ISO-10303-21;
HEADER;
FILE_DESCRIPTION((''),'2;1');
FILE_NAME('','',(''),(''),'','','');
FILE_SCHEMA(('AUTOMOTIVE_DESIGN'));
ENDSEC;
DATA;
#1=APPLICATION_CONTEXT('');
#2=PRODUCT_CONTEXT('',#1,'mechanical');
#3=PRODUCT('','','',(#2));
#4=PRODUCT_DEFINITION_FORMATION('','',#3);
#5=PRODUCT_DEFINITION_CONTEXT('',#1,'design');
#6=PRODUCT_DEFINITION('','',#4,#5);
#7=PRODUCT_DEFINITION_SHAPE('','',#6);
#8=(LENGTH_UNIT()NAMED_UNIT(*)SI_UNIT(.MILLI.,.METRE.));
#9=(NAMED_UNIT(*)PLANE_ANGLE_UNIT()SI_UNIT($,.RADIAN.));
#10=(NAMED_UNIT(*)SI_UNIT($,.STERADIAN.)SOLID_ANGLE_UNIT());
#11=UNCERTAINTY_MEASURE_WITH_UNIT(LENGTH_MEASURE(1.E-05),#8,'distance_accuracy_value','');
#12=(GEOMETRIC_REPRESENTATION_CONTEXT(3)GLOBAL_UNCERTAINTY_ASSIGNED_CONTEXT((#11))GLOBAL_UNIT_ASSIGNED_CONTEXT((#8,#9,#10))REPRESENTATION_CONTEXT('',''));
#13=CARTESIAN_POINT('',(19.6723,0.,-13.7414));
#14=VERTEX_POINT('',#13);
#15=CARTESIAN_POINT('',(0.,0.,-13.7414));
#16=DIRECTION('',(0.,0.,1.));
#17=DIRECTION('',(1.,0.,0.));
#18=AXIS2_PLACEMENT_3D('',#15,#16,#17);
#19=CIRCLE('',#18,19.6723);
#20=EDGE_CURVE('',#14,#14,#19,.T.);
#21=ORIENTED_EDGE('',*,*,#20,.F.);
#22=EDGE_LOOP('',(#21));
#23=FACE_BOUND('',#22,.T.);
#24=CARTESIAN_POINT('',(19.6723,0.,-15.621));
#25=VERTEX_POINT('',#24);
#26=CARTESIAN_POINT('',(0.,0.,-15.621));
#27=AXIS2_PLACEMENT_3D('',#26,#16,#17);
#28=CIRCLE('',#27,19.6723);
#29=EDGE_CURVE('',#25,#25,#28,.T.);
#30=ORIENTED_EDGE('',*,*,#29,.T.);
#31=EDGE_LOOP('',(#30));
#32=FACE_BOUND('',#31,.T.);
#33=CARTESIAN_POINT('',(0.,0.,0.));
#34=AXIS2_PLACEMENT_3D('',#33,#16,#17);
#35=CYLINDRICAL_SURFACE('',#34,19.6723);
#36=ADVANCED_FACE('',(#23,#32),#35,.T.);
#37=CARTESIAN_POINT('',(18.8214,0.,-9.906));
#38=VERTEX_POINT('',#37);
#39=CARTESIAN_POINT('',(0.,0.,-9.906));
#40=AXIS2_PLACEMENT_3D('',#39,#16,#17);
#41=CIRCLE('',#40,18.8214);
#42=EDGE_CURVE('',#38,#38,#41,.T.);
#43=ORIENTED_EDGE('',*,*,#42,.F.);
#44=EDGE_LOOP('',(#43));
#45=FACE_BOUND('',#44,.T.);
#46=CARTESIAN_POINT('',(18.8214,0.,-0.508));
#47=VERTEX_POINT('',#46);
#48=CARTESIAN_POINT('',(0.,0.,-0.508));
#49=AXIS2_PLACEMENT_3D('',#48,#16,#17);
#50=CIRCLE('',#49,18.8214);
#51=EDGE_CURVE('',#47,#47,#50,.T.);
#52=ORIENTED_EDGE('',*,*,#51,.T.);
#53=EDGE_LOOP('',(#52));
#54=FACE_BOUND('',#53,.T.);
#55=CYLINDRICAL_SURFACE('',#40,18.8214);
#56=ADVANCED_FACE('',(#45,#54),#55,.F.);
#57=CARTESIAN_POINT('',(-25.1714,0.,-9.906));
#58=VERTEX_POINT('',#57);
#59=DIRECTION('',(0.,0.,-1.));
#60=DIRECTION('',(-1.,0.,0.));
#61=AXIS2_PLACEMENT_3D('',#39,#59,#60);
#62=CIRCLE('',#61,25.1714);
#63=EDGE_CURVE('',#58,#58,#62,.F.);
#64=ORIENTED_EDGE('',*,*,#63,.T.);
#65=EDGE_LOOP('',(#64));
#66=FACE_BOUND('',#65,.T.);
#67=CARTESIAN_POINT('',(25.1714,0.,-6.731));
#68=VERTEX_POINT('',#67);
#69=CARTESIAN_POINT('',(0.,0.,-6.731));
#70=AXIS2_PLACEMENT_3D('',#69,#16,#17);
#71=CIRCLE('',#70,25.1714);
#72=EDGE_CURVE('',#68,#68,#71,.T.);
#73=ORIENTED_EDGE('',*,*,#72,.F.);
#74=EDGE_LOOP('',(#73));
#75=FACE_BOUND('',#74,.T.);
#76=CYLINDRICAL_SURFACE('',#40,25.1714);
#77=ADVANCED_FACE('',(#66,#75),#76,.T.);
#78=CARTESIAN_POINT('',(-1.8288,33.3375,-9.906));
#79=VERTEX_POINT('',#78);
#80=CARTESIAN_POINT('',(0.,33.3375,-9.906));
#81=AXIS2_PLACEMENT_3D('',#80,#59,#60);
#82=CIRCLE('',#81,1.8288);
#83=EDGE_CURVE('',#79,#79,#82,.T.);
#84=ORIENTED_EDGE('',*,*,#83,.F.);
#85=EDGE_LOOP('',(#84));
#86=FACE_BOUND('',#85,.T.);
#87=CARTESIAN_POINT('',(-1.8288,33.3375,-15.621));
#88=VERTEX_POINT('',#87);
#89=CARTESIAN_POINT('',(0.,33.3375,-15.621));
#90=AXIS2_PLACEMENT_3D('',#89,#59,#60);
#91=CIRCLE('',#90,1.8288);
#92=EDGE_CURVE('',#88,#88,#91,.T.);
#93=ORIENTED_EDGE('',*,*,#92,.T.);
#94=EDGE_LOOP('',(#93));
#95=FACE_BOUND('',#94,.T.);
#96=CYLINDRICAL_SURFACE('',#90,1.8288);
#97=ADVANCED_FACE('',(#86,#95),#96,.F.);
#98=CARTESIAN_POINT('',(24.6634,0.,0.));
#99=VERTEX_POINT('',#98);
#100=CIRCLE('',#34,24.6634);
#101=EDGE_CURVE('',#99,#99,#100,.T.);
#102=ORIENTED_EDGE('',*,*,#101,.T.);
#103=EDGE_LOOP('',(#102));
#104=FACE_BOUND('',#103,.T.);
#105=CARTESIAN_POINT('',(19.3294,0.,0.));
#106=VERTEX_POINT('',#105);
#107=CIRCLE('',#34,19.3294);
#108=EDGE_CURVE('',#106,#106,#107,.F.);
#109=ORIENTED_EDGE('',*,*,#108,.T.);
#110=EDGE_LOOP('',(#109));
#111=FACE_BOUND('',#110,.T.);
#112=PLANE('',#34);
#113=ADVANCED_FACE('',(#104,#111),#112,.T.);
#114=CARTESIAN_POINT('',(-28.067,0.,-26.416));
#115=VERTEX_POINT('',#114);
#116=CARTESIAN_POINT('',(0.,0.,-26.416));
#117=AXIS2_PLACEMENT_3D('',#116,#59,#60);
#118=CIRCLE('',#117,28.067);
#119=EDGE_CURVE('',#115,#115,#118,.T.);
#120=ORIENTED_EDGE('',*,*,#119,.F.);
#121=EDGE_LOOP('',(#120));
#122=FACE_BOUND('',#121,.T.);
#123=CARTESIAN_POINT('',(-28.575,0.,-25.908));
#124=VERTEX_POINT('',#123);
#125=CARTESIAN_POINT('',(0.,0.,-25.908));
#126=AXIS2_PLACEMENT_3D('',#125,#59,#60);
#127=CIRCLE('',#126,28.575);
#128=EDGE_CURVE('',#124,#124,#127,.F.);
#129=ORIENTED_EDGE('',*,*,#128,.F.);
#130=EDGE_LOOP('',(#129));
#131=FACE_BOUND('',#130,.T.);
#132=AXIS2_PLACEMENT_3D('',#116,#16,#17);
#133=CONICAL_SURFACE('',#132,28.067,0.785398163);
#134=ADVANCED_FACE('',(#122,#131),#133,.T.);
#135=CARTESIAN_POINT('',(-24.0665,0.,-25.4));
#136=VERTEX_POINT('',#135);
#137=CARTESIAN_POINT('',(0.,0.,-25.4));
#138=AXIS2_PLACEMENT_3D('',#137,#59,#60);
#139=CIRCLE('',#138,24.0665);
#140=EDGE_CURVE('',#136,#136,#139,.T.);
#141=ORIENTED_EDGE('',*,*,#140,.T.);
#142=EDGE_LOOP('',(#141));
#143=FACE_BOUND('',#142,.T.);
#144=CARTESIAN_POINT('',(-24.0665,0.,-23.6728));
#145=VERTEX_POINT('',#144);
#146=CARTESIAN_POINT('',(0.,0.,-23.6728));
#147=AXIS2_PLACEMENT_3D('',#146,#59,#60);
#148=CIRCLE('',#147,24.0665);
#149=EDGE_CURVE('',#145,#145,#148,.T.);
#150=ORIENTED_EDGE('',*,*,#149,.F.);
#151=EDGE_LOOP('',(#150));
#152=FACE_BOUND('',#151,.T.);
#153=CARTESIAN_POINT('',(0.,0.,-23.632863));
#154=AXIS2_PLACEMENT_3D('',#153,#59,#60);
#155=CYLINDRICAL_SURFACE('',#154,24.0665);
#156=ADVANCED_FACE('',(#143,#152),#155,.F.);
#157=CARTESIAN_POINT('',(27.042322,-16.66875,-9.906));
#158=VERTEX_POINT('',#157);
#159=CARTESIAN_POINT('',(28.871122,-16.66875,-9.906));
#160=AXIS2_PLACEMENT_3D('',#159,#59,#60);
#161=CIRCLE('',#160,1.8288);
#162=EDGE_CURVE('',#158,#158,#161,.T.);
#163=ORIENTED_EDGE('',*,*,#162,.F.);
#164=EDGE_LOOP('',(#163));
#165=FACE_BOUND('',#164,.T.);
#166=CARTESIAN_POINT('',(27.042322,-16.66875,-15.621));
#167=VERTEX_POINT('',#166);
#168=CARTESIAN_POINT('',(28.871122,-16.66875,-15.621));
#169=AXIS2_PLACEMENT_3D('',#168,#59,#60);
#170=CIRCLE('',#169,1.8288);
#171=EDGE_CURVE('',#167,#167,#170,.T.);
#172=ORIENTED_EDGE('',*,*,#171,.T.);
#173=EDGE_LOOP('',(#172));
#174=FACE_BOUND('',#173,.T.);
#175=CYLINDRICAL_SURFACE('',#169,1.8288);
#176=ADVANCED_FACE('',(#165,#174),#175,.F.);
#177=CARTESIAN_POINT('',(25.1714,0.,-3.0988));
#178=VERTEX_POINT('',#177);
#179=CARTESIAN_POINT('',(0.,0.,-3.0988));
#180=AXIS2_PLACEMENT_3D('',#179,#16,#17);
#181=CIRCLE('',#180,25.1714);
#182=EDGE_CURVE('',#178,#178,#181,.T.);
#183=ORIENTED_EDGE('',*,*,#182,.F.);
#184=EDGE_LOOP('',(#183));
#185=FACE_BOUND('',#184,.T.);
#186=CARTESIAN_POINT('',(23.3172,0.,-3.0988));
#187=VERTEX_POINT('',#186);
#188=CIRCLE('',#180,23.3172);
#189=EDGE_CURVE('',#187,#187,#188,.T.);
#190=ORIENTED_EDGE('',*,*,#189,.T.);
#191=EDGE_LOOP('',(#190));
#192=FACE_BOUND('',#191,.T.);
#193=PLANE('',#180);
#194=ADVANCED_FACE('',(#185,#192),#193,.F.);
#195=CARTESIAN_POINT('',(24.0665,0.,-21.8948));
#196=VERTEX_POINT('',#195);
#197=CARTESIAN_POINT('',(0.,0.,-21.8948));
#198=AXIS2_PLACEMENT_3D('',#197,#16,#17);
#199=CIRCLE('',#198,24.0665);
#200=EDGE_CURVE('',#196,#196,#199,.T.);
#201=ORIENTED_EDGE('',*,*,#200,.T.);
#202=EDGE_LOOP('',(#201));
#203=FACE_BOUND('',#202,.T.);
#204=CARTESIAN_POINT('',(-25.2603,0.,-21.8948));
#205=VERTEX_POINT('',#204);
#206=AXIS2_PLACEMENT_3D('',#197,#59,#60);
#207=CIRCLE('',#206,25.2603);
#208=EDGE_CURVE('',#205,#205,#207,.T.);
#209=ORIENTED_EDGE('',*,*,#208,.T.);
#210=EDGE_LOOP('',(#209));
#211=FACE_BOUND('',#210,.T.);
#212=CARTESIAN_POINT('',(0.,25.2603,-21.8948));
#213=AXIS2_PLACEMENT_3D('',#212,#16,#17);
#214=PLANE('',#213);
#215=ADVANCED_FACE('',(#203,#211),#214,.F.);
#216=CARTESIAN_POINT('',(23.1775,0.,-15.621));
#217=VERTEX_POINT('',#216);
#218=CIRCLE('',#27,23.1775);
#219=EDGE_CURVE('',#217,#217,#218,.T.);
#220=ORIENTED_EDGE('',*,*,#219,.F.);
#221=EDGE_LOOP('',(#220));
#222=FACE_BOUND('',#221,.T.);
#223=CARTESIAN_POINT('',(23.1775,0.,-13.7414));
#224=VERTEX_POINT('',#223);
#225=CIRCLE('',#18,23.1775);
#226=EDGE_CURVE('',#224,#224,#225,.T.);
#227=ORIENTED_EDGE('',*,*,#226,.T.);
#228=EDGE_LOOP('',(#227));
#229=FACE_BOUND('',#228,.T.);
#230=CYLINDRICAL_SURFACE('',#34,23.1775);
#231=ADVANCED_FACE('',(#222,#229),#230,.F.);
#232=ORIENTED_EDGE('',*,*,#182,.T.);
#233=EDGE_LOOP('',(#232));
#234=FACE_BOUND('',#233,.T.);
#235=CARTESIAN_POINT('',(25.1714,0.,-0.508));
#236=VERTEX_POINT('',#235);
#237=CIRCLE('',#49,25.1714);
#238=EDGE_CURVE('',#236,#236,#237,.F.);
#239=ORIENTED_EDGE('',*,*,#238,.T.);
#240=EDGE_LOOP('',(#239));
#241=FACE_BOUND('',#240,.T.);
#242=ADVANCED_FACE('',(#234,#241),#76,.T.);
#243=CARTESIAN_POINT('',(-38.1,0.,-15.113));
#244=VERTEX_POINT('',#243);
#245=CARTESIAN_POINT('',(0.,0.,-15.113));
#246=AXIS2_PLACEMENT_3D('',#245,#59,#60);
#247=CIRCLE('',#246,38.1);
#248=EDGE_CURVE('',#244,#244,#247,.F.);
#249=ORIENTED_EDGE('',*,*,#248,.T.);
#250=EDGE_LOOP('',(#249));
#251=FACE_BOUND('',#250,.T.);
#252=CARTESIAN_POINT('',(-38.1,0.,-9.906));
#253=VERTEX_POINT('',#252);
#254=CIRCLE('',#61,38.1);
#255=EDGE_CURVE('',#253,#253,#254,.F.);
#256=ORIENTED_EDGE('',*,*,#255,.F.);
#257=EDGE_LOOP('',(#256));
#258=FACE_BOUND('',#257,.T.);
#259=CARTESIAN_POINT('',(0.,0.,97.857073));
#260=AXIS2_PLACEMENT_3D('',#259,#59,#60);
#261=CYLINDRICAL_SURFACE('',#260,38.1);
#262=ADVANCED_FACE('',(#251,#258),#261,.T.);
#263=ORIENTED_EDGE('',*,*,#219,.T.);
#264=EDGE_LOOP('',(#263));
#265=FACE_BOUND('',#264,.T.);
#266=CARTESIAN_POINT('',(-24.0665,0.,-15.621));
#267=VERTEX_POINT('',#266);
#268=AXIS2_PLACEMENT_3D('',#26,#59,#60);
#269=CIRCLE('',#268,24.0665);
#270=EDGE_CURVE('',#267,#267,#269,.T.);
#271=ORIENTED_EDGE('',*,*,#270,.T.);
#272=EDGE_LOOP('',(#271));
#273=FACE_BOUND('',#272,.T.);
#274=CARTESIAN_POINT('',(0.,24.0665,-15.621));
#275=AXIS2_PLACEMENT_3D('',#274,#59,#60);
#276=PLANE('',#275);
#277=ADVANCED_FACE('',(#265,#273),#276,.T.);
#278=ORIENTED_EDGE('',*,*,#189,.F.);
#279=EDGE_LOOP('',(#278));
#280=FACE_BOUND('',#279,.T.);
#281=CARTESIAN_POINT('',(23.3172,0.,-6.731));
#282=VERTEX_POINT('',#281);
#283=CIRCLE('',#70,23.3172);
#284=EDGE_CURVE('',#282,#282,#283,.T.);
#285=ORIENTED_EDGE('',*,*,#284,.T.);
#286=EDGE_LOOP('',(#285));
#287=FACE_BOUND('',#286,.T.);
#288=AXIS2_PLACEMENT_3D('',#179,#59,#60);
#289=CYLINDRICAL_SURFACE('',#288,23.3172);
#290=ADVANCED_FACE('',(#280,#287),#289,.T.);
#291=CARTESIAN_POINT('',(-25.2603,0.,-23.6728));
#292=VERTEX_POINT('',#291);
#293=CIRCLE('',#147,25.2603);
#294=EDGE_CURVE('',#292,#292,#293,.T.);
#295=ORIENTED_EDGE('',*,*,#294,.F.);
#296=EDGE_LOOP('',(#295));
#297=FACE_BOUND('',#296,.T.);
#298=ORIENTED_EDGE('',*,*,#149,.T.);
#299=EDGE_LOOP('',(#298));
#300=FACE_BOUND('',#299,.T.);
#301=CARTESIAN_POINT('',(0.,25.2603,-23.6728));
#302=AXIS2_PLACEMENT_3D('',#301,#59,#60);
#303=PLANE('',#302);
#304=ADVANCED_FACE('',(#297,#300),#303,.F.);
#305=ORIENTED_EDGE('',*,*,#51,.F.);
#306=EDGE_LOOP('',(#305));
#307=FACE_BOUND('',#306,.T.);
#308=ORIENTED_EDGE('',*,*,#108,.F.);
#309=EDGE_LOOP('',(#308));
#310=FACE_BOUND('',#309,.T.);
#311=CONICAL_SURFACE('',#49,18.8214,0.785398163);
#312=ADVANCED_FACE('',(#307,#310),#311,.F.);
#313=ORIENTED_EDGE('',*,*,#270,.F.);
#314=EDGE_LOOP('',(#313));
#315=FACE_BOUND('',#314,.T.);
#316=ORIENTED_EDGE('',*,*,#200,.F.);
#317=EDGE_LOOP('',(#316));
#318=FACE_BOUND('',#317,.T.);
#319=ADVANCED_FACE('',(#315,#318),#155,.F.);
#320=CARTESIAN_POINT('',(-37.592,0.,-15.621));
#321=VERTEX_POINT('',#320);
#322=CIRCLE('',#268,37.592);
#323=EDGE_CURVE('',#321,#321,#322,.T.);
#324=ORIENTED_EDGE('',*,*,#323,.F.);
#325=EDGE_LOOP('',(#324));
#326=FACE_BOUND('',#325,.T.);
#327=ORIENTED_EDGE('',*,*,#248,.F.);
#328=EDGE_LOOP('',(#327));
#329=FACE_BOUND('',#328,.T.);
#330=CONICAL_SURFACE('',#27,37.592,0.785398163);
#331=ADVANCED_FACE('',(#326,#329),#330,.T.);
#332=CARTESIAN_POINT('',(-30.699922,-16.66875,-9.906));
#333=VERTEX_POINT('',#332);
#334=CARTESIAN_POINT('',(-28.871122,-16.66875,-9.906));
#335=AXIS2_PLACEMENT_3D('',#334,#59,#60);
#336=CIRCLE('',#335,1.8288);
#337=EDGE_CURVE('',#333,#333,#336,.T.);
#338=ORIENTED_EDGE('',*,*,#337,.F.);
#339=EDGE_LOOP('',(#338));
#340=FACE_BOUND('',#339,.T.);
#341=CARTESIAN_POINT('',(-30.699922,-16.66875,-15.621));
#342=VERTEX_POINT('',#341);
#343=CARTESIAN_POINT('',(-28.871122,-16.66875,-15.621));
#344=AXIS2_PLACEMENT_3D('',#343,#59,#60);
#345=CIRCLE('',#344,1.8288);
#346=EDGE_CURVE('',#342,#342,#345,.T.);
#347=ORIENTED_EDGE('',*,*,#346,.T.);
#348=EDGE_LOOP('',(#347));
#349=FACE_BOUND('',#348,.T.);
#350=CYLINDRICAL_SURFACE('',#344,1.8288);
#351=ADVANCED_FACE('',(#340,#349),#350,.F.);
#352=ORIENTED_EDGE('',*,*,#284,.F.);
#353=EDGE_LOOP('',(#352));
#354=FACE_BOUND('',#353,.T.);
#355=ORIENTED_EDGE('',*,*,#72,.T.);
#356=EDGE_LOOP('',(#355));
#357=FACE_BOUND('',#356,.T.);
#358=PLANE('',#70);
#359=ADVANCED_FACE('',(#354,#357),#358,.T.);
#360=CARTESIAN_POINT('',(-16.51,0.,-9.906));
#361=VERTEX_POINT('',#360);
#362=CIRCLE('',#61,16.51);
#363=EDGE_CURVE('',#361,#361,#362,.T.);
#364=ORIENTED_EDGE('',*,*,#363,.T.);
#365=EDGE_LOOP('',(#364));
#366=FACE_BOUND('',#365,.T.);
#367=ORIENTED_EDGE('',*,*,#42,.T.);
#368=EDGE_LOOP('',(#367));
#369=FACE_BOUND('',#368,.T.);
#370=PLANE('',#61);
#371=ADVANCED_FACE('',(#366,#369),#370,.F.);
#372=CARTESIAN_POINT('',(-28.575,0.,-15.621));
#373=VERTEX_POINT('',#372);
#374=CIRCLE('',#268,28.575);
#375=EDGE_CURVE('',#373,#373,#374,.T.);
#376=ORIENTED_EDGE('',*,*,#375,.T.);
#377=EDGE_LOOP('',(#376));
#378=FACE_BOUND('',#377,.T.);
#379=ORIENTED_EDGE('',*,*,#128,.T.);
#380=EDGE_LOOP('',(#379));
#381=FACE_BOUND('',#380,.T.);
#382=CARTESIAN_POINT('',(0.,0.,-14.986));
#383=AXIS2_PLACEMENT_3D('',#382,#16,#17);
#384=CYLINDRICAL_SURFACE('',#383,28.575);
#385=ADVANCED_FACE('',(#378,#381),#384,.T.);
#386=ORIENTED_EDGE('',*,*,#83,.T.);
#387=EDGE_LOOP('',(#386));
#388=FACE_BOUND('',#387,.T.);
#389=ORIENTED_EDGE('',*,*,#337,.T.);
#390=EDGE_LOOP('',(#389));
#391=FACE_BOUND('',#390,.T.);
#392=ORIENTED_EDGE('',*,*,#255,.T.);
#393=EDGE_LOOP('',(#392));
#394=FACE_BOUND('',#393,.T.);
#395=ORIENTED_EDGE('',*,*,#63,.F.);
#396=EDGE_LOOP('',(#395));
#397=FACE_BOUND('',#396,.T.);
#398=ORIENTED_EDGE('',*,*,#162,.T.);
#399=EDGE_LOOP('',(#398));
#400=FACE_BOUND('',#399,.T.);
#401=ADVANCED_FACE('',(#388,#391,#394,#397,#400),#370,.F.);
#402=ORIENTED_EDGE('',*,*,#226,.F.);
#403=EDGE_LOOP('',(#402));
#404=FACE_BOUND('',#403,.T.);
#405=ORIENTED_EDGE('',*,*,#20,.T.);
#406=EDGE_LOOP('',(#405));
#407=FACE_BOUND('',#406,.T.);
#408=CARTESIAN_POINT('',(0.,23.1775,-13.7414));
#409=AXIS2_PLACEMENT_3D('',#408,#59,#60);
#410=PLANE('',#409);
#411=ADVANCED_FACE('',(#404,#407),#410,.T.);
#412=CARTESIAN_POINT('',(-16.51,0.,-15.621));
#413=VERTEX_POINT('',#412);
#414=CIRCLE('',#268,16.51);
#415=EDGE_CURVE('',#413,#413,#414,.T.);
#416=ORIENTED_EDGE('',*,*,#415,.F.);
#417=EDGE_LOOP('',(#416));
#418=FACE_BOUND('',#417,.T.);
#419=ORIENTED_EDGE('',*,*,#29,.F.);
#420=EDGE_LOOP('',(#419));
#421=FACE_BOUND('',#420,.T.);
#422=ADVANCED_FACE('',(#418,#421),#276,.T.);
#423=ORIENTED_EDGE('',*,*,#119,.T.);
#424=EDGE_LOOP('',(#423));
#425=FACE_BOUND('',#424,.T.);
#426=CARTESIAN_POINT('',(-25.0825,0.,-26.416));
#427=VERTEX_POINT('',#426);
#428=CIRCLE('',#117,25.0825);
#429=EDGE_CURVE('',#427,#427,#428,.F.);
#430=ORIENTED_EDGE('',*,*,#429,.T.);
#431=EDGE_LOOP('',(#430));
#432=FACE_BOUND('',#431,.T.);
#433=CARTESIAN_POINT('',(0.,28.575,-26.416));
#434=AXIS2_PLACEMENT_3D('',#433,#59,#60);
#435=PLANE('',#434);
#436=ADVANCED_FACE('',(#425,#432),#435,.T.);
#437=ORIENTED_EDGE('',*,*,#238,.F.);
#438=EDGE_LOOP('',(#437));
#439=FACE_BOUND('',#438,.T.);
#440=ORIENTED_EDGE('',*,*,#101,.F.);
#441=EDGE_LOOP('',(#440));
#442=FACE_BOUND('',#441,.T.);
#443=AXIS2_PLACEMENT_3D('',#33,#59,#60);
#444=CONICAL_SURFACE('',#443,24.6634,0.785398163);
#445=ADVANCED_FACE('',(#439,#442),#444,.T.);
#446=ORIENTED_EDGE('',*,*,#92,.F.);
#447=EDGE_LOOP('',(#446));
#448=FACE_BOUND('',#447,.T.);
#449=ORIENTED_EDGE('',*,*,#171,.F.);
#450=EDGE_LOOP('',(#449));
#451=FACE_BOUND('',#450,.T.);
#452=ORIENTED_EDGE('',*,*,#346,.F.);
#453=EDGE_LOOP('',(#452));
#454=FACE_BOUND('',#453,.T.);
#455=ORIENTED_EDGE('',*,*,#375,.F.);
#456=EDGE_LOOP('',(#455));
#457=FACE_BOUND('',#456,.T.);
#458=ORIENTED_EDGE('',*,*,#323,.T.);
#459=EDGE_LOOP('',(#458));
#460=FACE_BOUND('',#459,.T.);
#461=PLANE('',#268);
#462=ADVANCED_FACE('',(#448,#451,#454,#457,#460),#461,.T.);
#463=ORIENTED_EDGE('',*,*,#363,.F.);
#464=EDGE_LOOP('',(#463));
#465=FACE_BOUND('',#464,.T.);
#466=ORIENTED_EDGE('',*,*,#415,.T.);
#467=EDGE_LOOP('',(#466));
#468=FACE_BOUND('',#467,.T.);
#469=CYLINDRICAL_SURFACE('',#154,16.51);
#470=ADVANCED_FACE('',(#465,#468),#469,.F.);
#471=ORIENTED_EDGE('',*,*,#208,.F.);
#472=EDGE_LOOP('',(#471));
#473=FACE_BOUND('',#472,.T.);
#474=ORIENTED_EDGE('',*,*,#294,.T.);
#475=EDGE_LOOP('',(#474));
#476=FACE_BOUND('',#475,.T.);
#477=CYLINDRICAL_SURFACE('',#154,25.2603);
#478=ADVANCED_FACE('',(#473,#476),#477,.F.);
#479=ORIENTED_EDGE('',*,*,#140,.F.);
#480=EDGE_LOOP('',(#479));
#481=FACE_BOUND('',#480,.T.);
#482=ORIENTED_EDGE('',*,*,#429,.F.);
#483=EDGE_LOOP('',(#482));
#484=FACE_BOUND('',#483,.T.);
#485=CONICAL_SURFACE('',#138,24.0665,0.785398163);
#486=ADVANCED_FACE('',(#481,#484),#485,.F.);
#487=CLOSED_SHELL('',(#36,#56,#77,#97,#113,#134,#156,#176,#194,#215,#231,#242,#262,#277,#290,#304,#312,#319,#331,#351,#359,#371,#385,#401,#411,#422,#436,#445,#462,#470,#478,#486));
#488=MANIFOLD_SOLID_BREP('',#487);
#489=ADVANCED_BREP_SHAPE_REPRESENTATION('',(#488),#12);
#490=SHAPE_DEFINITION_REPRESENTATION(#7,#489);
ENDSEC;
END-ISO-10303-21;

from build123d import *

# Parameters (mm, degrees)
SKETCH1_R             = 25.1714
SKETCH1_R_2           = 18.8214
BOSS_EXTRUDE1_DEPTH   = 9.906
SKETCH2_R             = 28.575
BOSS_EXTRUDE2_DEPTH   = 5.08
CUT_EXTRUDE1_START    = 3.6322
SKETCH3_R             = 25.1714
SKETCH3_R_2           = 23.3172
CUT_EXTRUDE1_DEPTH    = 3.6322
SKETCH5_W             = 1.778
SKETCH5_H             = 12.5603
SKETCH6_R             = 16.51
CUT_EXTRUDE2_DEPTH    = 44.100364801
SKETCH10_W            = 1.8796
SKETCH10_H            = 3.5052
BOSS_EXTRUDE3_START   = -5.715
SKETCH7_R             = 38.1
SKETCH7_R_2           = 28.575
BOSS_EXTRUDE3_DEPTH   = 5.715
F_6_CLEARANCE_HOLE1_D = 3.6576
CIRPATTERN1_COUNT     = 3
CHAMFER1_SIZE         = 0.508
CHAMFER3_SIZE         = 1.016


with BuildPart() as part:
    # Sketch1 → Boss-Extrude1 (new body)
    with BuildSketch(Plane.XY):
        Circle(SKETCH1_R)
        Circle(SKETCH1_R_2, mode=Mode.SUBTRACT)
    extrude(amount=-BOSS_EXTRUDE1_DEPTH)

    # Sketch2 → Boss-Extrude2 (add)
    with BuildSketch(Plane(origin=(0, 0, -9.906), x_dir=(-1, 0, 0), z_dir=(0, 0, -1))):
        Circle(SKETCH2_R)
    extrude(amount=BOSS_EXTRUDE2_DEPTH)

    # Sketch3 → Cut-Extrude1 (cut)
    with BuildSketch(Plane.XY.offset(-6.731).offset(CUT_EXTRUDE1_START)):
        Circle(SKETCH3_R)
        Circle(SKETCH3_R_2, mode=Mode.SUBTRACT)
    extrude(amount=-CUT_EXTRUDE1_DEPTH, mode=Mode.SUBTRACT)

    # Sketch4 → Revolve1 (revolve)
    with BuildSketch(Plane(origin=(0, 0, 0), x_dir=(0, 0, -1), z_dir=(1, 0, 0)), mode=Mode.PRIVATE) as revolve1_sk:
        Polygon((9.906, 16.51), (9.906, 28.575), (26.416, 28.575), (26.416, 24.0665), (15.621, 24.0665), (15.621, 16.51), align=None)
    revolve(revolve1_sk.sketch.rotate(Axis((0, 0, -23.632862863), (0, 0, 1)), 90), axis=Axis((0, 0, -23.632862863), (0, 0, 1)))

    # Sketch5 → Cut-Revolve1 (revolve, cut)
    with BuildSketch(Plane(origin=(0, 0, 0), x_dir=(0, 0, -1), z_dir=(1, 0, 0)), mode=Mode.PRIVATE) as cut_revolve1_sk:
        with Locations((22.7838, 18.98015)):
            Rectangle(SKETCH5_W, SKETCH5_H)
    revolve(cut_revolve1_sk.sketch.rotate(Axis((0, 0, -23.632862863), (0, 0, 1)), 90), axis=Axis((0, 0, -23.632862863), (0, 0, 1)), mode=Mode.SUBTRACT)

    # Sketch6 → Cut-Extrude2 (cut, through all)
    with BuildSketch(Plane(origin=(0, 0, -14.986), x_dir=(-1, 0, 0), z_dir=(0, 0, -1))):
        Circle(SKETCH6_R)
    extrude(amount=-CUT_EXTRUDE2_DEPTH, mode=Mode.SUBTRACT)

    # Sketch10 → Cut-Revolve2 (revolve, cut)
    with BuildSketch(Plane(origin=(0, 0, 0), x_dir=(0, 0, -1), z_dir=(1, 0, 0)), mode=Mode.PRIVATE) as cut_revolve2_sk:
        with Locations((14.6812, 21.4249)):
            Rectangle(SKETCH10_W, SKETCH10_H)
    revolve(cut_revolve2_sk.sketch.rotate(Axis((0, 0, 0), (0, 0, -1)), 90), axis=Axis((0, 0, 0), (0, 0, -1)), mode=Mode.SUBTRACT)

    # Sketch7 → Boss-Extrude3 (add)
    with BuildSketch(Plane(origin=(0, 0, -15.621), x_dir=(-1, 0, 0), z_dir=(0, 0, -1)).offset(BOSS_EXTRUDE3_START)):
        Circle(SKETCH7_R)
        Circle(SKETCH7_R_2, mode=Mode.SUBTRACT)
    extrude(amount=BOSS_EXTRUDE3_DEPTH)

    # #6 Clearance Hole1 (through all)
    with Locations(Plane(origin=(12.683965444, 15.420187154, -15.621), x_dir=(-1, 0, 0), z_dir=(0, 0, -1))):
        with Locations((12.683965444, 17.917312846)):
            f_6_clearance_hole1 = Hole(F_6_CLEARANCE_HOLE1_D / 2)

    # CirPattern1: #6 Clearance Hole1 ×3 about axis
    cirpattern1_axis = Axis((0, 0, 0), (0, 0, 1))
    for i in range(1, CIRPATTERN1_COUNT):
        add(f_6_clearance_hole1.rotate(cirpattern1_axis, i * 360 / CIRPATTERN1_COUNT), mode=Mode.SUBTRACT)

    # Chamfer1
    chamfer1_edges = [part.edges().sort_by_distance(p)[0] for p in [
        (-25.1714, 0, 0),
        (28.575, 0, -26.416),
        (38.1, 0, -15.621),
        (-18.8214, 0, 0),
    ]]
    chamfer(chamfer1_edges, length=CHAMFER1_SIZE)

    # Chamfer3
    chamfer3_edges = [part.edges().sort_by_distance(p)[0] for p in [
        (24.0665, 0, -26.416),
    ]]
    chamfer(chamfer3_edges, length=CHAMFER3_SIZE)


solid = part.part
